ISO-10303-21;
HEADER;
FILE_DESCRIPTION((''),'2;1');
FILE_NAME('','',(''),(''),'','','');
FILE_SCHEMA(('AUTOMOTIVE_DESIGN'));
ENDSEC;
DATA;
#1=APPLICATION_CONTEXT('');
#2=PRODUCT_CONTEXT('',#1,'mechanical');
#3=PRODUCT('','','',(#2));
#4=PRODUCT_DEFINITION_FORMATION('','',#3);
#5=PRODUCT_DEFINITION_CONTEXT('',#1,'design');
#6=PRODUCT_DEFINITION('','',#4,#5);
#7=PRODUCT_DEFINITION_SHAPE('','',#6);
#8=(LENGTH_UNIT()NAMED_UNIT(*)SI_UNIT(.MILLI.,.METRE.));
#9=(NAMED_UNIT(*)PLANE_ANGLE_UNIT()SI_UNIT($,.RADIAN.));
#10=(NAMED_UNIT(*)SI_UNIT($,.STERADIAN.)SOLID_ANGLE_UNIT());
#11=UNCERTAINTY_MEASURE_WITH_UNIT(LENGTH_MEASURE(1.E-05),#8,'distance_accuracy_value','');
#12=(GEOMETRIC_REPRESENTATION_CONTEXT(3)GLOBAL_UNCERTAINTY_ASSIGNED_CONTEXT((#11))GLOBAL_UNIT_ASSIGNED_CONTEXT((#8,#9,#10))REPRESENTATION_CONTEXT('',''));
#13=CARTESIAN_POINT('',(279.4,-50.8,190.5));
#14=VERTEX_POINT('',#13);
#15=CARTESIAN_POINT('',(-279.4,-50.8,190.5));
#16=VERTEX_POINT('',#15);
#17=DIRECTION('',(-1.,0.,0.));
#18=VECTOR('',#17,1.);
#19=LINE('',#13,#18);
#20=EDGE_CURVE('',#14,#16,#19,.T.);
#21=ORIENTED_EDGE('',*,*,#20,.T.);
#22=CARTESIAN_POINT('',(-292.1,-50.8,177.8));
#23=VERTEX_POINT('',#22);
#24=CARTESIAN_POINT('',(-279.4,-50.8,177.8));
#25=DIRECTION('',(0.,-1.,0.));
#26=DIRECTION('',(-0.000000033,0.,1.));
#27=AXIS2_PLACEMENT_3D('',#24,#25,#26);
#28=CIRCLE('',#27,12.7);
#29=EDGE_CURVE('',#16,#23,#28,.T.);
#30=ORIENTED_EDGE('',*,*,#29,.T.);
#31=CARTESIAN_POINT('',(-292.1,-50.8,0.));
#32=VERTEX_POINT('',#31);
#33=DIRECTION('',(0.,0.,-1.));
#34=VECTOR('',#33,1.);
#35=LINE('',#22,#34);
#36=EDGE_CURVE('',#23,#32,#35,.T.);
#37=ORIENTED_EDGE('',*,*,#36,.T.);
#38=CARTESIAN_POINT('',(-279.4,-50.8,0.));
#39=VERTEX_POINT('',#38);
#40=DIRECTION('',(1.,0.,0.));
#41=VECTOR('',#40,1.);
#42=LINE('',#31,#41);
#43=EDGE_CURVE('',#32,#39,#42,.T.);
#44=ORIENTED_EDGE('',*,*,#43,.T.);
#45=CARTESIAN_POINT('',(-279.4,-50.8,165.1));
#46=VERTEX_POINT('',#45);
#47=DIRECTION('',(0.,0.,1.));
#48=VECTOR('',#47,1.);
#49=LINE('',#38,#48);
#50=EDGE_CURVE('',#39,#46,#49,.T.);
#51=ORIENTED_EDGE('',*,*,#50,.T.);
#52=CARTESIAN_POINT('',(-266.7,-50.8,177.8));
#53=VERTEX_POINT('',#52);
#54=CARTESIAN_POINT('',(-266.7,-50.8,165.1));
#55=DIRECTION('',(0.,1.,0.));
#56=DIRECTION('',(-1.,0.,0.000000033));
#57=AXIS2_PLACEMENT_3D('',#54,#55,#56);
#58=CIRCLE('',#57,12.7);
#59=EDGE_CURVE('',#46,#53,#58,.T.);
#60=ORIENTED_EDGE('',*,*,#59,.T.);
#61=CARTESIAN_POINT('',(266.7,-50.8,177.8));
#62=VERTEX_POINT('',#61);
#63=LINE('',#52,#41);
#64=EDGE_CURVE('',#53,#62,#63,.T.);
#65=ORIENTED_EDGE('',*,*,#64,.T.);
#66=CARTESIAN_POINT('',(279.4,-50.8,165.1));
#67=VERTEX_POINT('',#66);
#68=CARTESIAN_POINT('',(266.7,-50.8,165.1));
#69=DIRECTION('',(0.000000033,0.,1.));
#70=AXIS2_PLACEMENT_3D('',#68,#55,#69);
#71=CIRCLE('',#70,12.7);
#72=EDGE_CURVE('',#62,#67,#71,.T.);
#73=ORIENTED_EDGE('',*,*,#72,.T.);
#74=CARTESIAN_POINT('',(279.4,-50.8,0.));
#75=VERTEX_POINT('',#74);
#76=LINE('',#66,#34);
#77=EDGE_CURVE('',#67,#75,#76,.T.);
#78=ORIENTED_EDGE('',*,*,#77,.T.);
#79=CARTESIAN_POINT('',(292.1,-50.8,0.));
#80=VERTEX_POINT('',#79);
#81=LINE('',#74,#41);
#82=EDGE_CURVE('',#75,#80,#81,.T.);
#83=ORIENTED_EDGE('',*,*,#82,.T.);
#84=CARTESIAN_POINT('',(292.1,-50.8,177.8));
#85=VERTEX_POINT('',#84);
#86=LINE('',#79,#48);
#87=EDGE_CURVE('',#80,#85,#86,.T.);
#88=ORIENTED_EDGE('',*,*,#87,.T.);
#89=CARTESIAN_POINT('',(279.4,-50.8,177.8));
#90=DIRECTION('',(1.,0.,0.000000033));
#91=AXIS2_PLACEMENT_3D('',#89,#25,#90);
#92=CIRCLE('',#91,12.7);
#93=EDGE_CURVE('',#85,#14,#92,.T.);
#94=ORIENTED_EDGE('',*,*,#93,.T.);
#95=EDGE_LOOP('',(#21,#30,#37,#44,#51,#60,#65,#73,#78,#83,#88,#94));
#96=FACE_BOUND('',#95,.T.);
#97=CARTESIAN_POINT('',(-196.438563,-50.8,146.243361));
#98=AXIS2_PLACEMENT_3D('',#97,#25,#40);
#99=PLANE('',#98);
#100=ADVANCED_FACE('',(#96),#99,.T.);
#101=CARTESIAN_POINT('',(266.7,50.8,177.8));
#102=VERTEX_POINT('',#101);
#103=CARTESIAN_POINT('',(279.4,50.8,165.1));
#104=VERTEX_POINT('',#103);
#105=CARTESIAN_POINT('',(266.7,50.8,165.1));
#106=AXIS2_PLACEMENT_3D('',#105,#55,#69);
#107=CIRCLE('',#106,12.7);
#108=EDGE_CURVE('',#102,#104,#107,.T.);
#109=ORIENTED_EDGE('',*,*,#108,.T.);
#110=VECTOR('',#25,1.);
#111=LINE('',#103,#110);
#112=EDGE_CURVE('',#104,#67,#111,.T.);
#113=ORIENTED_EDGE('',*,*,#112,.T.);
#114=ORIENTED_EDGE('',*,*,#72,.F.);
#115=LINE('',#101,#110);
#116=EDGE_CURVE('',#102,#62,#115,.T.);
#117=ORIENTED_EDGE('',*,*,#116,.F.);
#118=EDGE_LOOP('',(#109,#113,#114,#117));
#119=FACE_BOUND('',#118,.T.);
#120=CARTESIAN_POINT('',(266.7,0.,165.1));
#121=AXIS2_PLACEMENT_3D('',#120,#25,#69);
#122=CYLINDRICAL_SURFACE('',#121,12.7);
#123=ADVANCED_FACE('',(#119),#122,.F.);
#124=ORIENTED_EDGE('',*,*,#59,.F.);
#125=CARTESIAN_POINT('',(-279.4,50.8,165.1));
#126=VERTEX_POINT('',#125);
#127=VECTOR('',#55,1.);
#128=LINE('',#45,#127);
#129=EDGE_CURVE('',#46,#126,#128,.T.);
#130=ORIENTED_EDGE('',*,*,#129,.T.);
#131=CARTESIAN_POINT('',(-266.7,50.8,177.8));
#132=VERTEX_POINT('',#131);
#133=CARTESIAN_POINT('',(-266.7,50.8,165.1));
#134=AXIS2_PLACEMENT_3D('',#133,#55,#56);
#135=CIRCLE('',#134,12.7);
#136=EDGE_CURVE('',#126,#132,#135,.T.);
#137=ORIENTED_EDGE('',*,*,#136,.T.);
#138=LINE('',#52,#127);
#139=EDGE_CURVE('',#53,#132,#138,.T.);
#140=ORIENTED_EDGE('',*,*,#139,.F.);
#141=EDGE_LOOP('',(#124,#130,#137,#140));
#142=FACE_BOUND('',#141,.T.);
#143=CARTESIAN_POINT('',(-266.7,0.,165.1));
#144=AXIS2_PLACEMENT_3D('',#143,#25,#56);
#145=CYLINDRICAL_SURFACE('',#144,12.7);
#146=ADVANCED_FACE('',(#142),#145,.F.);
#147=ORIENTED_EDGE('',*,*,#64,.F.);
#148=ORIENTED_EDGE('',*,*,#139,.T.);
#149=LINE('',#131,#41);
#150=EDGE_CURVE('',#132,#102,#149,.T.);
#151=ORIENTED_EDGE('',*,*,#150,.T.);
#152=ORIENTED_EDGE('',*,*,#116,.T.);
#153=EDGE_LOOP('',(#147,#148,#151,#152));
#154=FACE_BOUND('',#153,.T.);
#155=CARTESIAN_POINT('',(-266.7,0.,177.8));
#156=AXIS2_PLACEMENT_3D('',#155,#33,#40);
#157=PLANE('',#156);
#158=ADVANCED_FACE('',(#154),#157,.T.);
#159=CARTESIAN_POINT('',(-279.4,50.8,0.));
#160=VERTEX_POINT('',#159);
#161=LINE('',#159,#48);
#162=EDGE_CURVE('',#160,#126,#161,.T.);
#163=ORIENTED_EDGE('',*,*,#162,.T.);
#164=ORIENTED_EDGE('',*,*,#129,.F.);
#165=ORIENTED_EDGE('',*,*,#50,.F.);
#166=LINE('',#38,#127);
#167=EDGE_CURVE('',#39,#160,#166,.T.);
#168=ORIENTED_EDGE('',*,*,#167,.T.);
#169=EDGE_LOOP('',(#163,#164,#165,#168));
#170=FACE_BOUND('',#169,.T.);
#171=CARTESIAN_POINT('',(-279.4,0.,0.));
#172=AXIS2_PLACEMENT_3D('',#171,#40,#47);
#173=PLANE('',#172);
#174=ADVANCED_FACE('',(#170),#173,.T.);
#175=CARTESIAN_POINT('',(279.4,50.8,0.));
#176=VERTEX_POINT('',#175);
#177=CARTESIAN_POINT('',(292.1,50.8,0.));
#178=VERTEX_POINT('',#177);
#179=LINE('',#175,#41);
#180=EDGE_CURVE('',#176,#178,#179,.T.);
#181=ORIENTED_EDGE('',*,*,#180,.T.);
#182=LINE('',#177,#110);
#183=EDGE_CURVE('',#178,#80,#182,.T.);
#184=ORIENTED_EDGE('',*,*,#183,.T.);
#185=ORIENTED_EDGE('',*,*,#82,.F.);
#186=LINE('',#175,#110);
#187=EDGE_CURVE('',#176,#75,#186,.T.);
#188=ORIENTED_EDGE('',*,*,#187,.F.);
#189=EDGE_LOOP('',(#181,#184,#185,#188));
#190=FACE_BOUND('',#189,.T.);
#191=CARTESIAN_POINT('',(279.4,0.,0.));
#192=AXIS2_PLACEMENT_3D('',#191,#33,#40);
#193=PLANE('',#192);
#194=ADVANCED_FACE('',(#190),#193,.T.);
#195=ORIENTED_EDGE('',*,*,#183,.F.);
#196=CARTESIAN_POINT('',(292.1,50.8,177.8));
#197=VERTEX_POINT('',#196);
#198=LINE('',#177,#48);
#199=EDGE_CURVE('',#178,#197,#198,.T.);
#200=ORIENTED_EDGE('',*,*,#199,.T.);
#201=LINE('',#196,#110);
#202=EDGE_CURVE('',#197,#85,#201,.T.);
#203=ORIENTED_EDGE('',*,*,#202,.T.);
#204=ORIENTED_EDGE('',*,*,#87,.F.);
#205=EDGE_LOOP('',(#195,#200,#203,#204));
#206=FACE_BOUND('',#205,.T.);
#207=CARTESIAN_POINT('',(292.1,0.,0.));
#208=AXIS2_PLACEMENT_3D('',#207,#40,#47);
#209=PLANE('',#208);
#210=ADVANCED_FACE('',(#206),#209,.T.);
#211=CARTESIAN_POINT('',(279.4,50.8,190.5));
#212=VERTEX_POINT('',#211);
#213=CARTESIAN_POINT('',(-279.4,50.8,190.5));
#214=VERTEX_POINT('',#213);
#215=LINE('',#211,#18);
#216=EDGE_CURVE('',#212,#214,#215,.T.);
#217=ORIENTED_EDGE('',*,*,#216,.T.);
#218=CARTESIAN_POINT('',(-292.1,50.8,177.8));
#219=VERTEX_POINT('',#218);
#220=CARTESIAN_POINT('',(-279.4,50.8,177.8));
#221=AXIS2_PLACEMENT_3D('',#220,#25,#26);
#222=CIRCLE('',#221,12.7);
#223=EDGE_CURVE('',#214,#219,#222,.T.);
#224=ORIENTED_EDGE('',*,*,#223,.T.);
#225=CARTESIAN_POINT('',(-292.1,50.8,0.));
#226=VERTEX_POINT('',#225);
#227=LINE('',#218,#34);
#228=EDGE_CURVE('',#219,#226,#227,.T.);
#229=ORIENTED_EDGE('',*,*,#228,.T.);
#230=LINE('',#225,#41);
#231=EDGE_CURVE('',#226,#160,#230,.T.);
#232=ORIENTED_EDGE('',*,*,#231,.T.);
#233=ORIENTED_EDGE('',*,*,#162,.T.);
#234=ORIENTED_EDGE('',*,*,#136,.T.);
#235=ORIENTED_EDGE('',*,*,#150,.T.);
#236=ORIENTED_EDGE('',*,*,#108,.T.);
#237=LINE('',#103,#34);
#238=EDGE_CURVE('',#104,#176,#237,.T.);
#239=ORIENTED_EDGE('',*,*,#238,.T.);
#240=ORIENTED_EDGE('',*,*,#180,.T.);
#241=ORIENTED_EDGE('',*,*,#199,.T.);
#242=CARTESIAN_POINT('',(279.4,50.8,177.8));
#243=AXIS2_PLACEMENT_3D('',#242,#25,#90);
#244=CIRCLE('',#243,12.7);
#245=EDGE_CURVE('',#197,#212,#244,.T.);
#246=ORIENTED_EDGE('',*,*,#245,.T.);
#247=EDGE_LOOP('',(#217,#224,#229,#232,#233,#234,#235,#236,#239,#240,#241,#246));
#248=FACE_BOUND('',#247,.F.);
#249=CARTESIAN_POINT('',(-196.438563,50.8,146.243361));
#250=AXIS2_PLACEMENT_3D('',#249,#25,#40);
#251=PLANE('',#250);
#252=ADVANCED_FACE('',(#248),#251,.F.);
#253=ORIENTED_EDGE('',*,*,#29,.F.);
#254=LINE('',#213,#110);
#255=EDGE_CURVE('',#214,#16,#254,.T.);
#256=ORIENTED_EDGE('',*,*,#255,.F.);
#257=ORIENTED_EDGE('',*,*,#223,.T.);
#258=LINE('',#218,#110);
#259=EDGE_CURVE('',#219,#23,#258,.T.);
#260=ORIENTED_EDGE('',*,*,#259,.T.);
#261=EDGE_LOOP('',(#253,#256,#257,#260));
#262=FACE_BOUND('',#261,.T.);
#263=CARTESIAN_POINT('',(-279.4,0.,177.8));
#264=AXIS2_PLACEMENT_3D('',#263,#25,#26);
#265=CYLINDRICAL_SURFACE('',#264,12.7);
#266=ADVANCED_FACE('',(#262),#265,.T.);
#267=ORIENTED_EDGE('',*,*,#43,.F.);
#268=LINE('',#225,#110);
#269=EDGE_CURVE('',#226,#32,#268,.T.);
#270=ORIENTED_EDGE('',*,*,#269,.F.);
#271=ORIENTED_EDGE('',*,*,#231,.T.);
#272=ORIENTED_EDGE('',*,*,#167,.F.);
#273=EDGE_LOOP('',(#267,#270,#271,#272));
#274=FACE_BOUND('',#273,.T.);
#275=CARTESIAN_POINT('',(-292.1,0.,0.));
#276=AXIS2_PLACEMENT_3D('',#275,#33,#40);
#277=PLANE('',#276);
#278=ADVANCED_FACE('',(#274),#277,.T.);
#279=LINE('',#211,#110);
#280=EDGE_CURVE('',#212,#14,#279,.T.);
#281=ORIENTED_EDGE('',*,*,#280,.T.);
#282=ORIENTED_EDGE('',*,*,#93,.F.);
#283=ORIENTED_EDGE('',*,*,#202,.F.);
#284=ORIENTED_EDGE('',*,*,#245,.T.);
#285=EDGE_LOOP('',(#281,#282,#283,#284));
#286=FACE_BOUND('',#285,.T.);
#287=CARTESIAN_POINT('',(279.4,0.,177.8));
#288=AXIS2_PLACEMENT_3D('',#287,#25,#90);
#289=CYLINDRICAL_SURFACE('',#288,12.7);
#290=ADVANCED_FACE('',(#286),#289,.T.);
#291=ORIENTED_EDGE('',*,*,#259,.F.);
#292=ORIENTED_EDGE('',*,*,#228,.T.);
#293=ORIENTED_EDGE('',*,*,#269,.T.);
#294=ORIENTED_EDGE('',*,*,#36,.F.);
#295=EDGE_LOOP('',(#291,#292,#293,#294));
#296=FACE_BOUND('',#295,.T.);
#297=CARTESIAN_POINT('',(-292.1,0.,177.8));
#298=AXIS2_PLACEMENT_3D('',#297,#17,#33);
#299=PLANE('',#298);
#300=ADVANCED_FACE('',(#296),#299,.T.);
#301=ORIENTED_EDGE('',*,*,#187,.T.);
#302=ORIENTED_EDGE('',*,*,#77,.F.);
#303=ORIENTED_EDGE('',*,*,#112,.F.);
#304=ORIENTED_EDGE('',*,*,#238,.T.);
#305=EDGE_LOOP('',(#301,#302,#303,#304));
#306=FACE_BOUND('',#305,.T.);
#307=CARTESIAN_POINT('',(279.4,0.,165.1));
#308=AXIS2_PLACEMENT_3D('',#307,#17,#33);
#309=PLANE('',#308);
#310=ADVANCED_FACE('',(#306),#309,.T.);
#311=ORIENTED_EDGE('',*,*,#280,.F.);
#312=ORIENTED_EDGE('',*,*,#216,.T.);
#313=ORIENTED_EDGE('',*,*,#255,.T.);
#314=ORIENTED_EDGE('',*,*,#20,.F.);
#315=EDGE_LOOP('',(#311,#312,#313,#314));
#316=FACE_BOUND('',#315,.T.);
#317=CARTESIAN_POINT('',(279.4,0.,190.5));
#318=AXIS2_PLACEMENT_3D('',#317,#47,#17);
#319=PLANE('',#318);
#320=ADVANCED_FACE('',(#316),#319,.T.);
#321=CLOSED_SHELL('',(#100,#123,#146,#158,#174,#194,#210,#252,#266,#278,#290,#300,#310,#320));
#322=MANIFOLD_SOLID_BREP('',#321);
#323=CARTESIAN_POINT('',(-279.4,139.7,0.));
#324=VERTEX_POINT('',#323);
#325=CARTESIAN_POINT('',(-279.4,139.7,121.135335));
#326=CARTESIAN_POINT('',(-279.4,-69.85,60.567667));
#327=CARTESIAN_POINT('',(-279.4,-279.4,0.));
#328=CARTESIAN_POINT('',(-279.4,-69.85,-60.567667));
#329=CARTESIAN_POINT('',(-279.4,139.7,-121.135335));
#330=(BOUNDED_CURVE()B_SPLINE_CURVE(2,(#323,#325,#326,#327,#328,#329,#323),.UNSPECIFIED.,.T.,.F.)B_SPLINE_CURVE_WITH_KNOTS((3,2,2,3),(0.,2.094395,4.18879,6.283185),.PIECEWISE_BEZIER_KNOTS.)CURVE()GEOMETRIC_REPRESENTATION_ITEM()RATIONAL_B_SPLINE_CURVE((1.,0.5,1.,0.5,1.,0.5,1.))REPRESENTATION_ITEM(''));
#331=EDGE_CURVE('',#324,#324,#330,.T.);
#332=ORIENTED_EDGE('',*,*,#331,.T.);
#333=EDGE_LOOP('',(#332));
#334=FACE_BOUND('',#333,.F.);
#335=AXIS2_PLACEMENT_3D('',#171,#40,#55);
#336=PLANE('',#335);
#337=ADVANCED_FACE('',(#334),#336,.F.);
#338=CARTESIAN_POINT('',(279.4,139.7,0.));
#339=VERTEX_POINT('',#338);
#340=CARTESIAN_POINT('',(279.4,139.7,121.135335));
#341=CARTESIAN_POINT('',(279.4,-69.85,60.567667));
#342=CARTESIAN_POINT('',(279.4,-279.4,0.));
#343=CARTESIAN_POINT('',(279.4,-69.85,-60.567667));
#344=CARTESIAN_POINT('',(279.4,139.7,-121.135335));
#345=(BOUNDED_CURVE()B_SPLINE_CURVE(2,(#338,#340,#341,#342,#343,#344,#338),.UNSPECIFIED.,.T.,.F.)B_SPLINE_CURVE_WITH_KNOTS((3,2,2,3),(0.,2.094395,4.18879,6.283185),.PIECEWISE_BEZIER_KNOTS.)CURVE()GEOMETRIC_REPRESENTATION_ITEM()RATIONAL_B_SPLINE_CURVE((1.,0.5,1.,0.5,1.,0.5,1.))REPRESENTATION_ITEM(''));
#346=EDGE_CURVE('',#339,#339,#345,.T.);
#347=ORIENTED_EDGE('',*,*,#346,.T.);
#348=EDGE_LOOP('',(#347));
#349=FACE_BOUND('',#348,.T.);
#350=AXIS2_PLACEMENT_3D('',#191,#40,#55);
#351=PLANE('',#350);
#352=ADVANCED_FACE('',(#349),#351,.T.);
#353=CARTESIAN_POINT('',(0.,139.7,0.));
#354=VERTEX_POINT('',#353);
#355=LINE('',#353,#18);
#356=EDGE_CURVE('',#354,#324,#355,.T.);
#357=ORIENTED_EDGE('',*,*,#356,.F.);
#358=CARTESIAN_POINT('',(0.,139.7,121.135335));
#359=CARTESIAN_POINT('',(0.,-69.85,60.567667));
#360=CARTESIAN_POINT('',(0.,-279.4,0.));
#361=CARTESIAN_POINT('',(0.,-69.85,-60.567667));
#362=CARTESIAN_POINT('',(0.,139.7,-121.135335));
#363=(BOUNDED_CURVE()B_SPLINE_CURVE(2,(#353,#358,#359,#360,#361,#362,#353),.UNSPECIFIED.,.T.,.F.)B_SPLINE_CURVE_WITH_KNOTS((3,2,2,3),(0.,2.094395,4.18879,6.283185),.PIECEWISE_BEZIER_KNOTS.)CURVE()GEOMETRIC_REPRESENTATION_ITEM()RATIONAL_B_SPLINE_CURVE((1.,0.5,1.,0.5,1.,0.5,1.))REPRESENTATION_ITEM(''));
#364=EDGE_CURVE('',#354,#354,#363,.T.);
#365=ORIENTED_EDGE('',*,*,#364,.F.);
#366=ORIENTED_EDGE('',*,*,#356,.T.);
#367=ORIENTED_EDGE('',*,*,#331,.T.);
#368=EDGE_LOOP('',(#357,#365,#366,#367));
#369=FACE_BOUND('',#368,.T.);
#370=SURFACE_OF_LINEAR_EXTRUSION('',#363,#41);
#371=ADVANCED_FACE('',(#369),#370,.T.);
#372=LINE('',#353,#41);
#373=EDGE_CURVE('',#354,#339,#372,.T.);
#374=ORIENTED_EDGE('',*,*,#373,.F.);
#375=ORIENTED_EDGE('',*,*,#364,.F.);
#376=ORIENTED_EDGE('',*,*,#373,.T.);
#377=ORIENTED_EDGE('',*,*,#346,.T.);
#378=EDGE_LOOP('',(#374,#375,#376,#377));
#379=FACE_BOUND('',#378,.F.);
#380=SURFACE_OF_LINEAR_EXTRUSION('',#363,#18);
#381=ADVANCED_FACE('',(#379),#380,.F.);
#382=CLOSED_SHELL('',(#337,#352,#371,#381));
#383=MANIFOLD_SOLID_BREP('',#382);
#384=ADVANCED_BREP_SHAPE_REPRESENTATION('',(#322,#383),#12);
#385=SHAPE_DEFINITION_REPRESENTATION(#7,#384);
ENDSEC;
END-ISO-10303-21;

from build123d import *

# Parameters (mm, degrees)
F1_DEPTH      = 279.4
F1_DEPTH_BACK = 279.4
F3_DEPTH      = 50.8
F3_DEPTH_BACK = 50.8


with BuildPart() as f1:
    # F0 (on Right) → F1 (new body, two sides)
    with BuildSketch(Plane.YZ) as f1_sk:
        with BuildLine():
            add(Edge.make_bspline(
                [(139.7, 0), (139.7, 121.135335), (-69.85, 60.567667), (-279.4, 0), (-69.85, -60.567667), (139.7, -121.135335), (139.7, 0)],
                knots=[0, 0, 0, 2.094395, 2.094395, 4.18879, 4.18879, 6.283185, 6.283185, 6.283185], degree=2, weights=[1, 0.5, 1, 0.5, 1, 0.5, 1]))
        make_face()
    extrude(amount=F1_DEPTH)
    extrude(f1_sk.sketch, amount=-F1_DEPTH_BACK)


with BuildPart() as f3:
    # F2 (on Front) → F3 (new body, two sides)
    with BuildSketch(Plane.XZ) as f3_sk:
        with BuildLine():
            Line((-266.7, 177.8), (0, 177.8))
            Line((0, 177.8), (0, 190.5))
            Line((0, 190.5), (-279.4, 190.5))
            ThreePointArc((-279.4, 190.5), (-288.380256, 186.780256), (-292.1, 177.8))
            Line((-292.1, 177.8), (-292.1, 0))
            Line((-292.1, 0), (-279.4, 0))
            Line((-279.4, 0), (-279.4, 165.1))
            ThreePointArc((-279.4, 165.1), (-275.680256, 174.080256), (-266.7, 177.8))
        make_face()
        with BuildLine():
            Line((0, 190.5), (0, 177.8))
            Line((0, 177.8), (266.7, 177.8))
            ThreePointArc((266.7, 177.8), (275.680256, 174.080256), (279.4, 165.1))
            Line((279.4, 165.1), (279.4, 0))
            Line((279.4, 0), (292.1, 0))
            Line((292.1, 0), (292.1, 177.8))
            ThreePointArc((292.1, 177.8), (288.380256, 186.780256), (279.4, 190.5))
            Line((279.4, 190.5), (0, 190.5))
        make_face()
    extrude(amount=F3_DEPTH)
    extrude(f3_sk.sketch, amount=-F3_DEPTH_BACK)


solid = Compound([f1.part, f3.part])
